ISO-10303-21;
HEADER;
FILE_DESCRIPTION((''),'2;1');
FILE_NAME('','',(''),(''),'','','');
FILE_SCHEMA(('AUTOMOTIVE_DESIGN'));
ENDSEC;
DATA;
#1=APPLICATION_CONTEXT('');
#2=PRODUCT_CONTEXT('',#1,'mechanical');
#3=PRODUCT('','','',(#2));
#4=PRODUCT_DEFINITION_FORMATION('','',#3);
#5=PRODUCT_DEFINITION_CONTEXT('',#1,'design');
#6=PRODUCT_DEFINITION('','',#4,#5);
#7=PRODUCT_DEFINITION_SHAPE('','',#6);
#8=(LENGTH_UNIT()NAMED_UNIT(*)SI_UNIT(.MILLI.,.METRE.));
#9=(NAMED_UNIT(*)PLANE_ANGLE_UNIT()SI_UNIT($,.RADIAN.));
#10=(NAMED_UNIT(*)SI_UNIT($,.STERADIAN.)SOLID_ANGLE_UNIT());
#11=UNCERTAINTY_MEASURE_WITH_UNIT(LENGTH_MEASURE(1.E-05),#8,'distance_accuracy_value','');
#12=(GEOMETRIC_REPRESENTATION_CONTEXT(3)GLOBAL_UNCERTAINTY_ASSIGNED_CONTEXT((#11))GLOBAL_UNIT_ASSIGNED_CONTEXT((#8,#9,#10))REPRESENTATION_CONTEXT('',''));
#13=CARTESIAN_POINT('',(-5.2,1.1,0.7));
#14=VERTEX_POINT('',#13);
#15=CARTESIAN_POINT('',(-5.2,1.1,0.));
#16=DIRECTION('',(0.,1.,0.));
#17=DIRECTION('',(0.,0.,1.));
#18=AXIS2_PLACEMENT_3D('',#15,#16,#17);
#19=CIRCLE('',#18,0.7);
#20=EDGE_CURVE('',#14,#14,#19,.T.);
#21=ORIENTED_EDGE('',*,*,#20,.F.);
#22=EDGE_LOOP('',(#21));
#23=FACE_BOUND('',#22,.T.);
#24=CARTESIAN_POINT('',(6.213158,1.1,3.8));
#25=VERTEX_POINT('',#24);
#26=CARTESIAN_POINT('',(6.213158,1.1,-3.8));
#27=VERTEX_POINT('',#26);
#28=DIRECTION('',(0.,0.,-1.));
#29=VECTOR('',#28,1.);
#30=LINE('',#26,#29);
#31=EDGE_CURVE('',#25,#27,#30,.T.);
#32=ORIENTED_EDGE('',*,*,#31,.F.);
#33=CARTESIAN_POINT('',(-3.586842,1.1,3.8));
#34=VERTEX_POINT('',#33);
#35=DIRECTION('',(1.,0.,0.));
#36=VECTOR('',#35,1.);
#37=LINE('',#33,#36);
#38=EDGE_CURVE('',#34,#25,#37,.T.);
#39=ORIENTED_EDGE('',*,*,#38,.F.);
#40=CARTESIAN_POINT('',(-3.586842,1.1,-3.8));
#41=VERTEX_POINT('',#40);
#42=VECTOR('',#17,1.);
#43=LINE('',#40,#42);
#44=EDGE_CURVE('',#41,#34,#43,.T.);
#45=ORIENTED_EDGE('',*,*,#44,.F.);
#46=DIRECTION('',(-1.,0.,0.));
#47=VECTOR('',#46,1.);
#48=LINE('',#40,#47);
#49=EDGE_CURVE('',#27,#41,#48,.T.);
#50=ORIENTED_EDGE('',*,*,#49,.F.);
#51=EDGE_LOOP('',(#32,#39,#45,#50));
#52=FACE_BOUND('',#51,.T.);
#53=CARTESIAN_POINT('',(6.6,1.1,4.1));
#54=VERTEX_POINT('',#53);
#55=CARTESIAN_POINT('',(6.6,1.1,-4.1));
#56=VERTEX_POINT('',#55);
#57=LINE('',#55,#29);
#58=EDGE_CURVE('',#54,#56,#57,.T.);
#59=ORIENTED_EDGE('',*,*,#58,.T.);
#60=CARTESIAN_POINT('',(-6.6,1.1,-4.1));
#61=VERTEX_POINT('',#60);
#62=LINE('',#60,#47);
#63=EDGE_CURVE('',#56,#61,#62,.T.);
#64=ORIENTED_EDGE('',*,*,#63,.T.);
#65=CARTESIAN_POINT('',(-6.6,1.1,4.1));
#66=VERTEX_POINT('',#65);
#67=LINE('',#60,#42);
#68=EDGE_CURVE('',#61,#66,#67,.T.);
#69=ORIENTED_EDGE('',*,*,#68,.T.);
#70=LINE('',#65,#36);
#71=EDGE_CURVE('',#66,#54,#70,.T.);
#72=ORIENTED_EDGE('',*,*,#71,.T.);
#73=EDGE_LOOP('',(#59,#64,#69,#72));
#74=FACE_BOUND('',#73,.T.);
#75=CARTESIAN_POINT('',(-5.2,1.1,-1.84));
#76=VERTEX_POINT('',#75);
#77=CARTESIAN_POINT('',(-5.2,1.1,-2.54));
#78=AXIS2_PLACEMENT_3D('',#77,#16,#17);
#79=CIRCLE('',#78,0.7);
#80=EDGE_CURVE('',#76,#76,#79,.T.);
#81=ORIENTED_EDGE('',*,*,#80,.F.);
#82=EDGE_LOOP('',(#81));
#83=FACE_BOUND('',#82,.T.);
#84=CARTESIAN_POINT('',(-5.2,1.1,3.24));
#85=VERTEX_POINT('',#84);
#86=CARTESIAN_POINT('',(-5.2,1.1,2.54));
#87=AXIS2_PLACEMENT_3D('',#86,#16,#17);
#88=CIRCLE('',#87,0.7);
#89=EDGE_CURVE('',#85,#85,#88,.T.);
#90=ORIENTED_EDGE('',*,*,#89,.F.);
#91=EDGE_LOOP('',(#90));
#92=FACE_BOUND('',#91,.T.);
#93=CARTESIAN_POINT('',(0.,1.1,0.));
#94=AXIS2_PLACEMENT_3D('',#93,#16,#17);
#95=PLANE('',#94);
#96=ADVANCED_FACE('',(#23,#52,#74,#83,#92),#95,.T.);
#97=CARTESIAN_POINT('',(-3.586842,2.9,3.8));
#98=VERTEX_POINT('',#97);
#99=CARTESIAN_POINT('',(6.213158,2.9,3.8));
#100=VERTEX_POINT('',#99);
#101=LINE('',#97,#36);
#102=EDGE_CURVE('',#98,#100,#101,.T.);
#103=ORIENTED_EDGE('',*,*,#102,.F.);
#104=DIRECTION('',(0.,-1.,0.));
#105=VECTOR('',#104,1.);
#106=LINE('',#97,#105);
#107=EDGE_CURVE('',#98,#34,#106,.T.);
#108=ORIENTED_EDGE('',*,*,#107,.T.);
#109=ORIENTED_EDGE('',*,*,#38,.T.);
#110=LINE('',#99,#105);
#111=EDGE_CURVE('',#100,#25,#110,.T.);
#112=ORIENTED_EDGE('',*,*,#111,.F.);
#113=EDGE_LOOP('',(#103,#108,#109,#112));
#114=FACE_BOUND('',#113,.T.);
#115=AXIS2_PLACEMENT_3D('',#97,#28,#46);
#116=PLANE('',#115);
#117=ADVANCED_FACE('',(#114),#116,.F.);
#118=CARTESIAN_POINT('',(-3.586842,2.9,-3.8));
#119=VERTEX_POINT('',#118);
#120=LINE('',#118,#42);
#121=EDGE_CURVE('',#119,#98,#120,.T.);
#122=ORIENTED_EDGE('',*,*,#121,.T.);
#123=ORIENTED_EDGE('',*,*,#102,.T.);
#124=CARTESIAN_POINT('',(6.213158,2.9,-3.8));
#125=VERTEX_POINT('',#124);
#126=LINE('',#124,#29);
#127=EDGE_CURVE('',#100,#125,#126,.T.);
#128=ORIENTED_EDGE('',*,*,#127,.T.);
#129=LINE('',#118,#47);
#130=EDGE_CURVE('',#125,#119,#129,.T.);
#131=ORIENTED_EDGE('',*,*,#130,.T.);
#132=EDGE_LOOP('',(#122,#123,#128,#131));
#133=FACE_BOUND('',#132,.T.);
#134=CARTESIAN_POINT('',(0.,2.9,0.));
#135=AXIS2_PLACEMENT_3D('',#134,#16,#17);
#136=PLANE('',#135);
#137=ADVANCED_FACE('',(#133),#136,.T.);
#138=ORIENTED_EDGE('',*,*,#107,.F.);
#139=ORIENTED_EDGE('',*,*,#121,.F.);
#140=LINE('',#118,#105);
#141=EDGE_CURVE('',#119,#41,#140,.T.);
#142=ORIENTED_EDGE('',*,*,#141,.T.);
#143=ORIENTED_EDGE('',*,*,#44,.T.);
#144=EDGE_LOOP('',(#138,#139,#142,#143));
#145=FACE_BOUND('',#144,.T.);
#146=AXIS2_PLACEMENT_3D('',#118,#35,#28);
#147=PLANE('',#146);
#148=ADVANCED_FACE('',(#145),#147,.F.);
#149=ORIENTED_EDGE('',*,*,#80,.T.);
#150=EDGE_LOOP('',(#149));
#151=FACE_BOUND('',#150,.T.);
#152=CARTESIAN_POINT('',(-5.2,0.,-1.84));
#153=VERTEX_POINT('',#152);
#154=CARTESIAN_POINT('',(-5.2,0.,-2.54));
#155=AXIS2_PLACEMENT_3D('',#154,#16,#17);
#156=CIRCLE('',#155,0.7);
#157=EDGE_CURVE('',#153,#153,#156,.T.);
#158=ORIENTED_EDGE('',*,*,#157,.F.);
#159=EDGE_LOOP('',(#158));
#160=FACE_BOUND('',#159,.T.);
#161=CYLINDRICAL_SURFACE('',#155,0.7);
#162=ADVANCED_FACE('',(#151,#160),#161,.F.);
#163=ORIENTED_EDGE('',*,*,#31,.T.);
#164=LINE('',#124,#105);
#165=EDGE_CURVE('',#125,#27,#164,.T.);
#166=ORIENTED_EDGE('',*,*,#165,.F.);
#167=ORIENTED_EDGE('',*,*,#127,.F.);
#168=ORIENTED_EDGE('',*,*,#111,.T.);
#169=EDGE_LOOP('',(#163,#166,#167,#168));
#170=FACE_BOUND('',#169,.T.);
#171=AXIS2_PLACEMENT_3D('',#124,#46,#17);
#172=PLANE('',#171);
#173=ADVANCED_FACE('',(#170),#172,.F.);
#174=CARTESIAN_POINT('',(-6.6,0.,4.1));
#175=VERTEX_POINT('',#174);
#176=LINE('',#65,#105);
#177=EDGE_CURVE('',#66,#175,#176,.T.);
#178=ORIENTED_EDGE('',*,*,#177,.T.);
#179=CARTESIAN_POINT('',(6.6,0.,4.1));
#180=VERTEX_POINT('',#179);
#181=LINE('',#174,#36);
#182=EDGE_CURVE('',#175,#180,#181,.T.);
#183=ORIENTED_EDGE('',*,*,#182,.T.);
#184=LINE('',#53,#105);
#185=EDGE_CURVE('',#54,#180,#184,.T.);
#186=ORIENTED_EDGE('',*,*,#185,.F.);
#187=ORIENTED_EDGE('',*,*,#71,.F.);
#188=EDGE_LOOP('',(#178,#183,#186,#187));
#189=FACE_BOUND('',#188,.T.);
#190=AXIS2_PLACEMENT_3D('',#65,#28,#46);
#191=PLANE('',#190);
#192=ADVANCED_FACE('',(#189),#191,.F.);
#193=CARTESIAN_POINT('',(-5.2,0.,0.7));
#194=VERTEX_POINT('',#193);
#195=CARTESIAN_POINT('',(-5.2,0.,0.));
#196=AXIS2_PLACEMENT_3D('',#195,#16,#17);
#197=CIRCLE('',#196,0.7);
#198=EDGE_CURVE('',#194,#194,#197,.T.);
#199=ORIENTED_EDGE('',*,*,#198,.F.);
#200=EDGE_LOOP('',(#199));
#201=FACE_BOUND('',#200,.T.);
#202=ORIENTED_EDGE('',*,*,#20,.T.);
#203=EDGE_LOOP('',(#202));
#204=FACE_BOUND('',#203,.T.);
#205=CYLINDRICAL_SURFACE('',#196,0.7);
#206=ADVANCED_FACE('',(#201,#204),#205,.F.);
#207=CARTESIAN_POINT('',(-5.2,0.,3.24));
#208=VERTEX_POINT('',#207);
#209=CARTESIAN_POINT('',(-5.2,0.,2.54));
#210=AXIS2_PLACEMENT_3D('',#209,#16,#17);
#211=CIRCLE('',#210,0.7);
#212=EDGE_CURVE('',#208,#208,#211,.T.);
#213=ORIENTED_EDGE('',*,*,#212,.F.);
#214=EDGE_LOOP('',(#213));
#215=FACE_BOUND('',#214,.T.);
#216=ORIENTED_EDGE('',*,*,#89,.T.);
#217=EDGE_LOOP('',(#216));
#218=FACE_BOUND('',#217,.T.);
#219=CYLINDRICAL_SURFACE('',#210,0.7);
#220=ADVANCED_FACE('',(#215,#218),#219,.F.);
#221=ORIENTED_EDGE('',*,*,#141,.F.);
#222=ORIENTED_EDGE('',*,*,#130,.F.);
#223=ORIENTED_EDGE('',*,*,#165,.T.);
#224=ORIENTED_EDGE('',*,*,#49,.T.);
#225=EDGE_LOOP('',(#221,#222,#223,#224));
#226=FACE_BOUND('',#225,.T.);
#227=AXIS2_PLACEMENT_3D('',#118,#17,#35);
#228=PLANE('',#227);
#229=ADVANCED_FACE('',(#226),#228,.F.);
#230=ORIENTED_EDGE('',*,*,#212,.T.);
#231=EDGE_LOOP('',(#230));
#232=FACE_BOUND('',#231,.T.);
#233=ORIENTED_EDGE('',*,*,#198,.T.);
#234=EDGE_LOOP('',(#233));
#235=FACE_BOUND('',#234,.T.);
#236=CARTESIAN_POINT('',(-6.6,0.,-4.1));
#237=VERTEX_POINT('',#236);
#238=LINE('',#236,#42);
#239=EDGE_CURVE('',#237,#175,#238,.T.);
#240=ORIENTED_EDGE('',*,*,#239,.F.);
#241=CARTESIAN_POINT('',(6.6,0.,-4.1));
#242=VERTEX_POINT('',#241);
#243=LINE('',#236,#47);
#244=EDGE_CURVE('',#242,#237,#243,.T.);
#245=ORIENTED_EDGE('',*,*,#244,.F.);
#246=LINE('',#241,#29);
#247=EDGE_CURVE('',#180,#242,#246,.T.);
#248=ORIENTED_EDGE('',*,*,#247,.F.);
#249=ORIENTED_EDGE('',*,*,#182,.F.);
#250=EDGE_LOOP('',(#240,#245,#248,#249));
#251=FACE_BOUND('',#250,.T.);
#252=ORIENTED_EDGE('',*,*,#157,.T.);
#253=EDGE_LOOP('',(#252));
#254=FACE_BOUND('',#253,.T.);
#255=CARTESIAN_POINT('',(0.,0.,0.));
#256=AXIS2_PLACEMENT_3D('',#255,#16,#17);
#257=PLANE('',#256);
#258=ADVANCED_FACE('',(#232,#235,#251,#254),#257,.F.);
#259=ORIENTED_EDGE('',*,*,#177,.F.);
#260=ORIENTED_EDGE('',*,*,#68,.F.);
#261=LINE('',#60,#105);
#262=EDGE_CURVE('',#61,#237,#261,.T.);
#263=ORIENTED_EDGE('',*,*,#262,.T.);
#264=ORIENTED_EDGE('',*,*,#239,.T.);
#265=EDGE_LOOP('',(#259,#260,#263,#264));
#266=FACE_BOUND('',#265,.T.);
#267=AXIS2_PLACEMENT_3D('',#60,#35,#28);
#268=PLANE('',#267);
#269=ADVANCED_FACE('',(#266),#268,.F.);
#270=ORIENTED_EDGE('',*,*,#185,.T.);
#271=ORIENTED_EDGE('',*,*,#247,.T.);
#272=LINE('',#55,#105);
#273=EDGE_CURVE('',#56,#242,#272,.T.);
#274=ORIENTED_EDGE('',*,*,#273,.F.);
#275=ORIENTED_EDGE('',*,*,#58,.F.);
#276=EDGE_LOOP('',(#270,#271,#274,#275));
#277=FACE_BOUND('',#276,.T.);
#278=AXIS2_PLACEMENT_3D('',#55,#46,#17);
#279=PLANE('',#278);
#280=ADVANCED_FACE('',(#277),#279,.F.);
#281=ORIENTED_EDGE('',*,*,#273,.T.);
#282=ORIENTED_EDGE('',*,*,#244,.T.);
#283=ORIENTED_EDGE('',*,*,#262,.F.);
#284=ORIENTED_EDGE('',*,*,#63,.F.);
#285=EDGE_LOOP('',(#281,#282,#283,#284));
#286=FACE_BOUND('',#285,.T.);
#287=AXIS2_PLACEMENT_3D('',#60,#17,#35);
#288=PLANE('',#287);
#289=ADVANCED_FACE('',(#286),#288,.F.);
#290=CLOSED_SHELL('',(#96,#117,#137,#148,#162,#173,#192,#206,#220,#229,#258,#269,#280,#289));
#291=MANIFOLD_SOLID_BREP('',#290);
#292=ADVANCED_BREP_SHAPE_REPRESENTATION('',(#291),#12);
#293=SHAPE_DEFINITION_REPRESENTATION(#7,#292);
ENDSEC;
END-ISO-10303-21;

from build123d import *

# Parameters (mm, degrees)
SKETCH_1_W          = 13.2
SKETCH_1_H          = 8.2
EXTRUDE_1_DEPTH     = 1.1
SKETCH_3_W          = 9.8
SKETCH_3_H          = 7.6
EXTRUDE_2_DEPTH     = 1.8
SKETCH_2_R          = 0.7
CUT_EXTRUDE_1_DEPTH = 8.975587753


with BuildPart() as part:
    # Эскиз1 → Бобышка-Вытянуть1 (new body)
    with BuildSketch(Plane(origin=(0, 0, 0), x_dir=(1, 0, 0), z_dir=(0, 1, 0))):
        Rectangle(SKETCH_1_W, SKETCH_1_H)
    extrude(amount=EXTRUDE_1_DEPTH)

    # Эскиз3 → Бобышка-Вытянуть2 (add)
    with BuildSketch(Plane(origin=(0, 1.1, 0), x_dir=(1, 0, 0), z_dir=(0, 1, 0))):
        with Locations((1.313157895, 0)):
            Rectangle(SKETCH_3_W, SKETCH_3_H)
    extrude(amount=EXTRUDE_2_DEPTH)

    # Эскиз2 → Вырез-Вытянуть1 (cut, through all)
    with BuildSketch(Plane(origin=(0, 1.1, 0), x_dir=(1, 0, 0), z_dir=(0, 1, 0))):
        with Locations(Location((-5.2, -2.54, 0), (0, 0, 270))):
            Circle(SKETCH_2_R)
        with Locations(Location((-5.2, 0, 0), (0, 0, 270))):
            Circle(SKETCH_2_R)
        with Locations(Location((-5.2, 2.54, 0), (0, 0, 270))):
            Circle(SKETCH_2_R)
    extrude(amount=-CUT_EXTRUDE_1_DEPTH, mode=Mode.SUBTRACT)


solid = part.part
